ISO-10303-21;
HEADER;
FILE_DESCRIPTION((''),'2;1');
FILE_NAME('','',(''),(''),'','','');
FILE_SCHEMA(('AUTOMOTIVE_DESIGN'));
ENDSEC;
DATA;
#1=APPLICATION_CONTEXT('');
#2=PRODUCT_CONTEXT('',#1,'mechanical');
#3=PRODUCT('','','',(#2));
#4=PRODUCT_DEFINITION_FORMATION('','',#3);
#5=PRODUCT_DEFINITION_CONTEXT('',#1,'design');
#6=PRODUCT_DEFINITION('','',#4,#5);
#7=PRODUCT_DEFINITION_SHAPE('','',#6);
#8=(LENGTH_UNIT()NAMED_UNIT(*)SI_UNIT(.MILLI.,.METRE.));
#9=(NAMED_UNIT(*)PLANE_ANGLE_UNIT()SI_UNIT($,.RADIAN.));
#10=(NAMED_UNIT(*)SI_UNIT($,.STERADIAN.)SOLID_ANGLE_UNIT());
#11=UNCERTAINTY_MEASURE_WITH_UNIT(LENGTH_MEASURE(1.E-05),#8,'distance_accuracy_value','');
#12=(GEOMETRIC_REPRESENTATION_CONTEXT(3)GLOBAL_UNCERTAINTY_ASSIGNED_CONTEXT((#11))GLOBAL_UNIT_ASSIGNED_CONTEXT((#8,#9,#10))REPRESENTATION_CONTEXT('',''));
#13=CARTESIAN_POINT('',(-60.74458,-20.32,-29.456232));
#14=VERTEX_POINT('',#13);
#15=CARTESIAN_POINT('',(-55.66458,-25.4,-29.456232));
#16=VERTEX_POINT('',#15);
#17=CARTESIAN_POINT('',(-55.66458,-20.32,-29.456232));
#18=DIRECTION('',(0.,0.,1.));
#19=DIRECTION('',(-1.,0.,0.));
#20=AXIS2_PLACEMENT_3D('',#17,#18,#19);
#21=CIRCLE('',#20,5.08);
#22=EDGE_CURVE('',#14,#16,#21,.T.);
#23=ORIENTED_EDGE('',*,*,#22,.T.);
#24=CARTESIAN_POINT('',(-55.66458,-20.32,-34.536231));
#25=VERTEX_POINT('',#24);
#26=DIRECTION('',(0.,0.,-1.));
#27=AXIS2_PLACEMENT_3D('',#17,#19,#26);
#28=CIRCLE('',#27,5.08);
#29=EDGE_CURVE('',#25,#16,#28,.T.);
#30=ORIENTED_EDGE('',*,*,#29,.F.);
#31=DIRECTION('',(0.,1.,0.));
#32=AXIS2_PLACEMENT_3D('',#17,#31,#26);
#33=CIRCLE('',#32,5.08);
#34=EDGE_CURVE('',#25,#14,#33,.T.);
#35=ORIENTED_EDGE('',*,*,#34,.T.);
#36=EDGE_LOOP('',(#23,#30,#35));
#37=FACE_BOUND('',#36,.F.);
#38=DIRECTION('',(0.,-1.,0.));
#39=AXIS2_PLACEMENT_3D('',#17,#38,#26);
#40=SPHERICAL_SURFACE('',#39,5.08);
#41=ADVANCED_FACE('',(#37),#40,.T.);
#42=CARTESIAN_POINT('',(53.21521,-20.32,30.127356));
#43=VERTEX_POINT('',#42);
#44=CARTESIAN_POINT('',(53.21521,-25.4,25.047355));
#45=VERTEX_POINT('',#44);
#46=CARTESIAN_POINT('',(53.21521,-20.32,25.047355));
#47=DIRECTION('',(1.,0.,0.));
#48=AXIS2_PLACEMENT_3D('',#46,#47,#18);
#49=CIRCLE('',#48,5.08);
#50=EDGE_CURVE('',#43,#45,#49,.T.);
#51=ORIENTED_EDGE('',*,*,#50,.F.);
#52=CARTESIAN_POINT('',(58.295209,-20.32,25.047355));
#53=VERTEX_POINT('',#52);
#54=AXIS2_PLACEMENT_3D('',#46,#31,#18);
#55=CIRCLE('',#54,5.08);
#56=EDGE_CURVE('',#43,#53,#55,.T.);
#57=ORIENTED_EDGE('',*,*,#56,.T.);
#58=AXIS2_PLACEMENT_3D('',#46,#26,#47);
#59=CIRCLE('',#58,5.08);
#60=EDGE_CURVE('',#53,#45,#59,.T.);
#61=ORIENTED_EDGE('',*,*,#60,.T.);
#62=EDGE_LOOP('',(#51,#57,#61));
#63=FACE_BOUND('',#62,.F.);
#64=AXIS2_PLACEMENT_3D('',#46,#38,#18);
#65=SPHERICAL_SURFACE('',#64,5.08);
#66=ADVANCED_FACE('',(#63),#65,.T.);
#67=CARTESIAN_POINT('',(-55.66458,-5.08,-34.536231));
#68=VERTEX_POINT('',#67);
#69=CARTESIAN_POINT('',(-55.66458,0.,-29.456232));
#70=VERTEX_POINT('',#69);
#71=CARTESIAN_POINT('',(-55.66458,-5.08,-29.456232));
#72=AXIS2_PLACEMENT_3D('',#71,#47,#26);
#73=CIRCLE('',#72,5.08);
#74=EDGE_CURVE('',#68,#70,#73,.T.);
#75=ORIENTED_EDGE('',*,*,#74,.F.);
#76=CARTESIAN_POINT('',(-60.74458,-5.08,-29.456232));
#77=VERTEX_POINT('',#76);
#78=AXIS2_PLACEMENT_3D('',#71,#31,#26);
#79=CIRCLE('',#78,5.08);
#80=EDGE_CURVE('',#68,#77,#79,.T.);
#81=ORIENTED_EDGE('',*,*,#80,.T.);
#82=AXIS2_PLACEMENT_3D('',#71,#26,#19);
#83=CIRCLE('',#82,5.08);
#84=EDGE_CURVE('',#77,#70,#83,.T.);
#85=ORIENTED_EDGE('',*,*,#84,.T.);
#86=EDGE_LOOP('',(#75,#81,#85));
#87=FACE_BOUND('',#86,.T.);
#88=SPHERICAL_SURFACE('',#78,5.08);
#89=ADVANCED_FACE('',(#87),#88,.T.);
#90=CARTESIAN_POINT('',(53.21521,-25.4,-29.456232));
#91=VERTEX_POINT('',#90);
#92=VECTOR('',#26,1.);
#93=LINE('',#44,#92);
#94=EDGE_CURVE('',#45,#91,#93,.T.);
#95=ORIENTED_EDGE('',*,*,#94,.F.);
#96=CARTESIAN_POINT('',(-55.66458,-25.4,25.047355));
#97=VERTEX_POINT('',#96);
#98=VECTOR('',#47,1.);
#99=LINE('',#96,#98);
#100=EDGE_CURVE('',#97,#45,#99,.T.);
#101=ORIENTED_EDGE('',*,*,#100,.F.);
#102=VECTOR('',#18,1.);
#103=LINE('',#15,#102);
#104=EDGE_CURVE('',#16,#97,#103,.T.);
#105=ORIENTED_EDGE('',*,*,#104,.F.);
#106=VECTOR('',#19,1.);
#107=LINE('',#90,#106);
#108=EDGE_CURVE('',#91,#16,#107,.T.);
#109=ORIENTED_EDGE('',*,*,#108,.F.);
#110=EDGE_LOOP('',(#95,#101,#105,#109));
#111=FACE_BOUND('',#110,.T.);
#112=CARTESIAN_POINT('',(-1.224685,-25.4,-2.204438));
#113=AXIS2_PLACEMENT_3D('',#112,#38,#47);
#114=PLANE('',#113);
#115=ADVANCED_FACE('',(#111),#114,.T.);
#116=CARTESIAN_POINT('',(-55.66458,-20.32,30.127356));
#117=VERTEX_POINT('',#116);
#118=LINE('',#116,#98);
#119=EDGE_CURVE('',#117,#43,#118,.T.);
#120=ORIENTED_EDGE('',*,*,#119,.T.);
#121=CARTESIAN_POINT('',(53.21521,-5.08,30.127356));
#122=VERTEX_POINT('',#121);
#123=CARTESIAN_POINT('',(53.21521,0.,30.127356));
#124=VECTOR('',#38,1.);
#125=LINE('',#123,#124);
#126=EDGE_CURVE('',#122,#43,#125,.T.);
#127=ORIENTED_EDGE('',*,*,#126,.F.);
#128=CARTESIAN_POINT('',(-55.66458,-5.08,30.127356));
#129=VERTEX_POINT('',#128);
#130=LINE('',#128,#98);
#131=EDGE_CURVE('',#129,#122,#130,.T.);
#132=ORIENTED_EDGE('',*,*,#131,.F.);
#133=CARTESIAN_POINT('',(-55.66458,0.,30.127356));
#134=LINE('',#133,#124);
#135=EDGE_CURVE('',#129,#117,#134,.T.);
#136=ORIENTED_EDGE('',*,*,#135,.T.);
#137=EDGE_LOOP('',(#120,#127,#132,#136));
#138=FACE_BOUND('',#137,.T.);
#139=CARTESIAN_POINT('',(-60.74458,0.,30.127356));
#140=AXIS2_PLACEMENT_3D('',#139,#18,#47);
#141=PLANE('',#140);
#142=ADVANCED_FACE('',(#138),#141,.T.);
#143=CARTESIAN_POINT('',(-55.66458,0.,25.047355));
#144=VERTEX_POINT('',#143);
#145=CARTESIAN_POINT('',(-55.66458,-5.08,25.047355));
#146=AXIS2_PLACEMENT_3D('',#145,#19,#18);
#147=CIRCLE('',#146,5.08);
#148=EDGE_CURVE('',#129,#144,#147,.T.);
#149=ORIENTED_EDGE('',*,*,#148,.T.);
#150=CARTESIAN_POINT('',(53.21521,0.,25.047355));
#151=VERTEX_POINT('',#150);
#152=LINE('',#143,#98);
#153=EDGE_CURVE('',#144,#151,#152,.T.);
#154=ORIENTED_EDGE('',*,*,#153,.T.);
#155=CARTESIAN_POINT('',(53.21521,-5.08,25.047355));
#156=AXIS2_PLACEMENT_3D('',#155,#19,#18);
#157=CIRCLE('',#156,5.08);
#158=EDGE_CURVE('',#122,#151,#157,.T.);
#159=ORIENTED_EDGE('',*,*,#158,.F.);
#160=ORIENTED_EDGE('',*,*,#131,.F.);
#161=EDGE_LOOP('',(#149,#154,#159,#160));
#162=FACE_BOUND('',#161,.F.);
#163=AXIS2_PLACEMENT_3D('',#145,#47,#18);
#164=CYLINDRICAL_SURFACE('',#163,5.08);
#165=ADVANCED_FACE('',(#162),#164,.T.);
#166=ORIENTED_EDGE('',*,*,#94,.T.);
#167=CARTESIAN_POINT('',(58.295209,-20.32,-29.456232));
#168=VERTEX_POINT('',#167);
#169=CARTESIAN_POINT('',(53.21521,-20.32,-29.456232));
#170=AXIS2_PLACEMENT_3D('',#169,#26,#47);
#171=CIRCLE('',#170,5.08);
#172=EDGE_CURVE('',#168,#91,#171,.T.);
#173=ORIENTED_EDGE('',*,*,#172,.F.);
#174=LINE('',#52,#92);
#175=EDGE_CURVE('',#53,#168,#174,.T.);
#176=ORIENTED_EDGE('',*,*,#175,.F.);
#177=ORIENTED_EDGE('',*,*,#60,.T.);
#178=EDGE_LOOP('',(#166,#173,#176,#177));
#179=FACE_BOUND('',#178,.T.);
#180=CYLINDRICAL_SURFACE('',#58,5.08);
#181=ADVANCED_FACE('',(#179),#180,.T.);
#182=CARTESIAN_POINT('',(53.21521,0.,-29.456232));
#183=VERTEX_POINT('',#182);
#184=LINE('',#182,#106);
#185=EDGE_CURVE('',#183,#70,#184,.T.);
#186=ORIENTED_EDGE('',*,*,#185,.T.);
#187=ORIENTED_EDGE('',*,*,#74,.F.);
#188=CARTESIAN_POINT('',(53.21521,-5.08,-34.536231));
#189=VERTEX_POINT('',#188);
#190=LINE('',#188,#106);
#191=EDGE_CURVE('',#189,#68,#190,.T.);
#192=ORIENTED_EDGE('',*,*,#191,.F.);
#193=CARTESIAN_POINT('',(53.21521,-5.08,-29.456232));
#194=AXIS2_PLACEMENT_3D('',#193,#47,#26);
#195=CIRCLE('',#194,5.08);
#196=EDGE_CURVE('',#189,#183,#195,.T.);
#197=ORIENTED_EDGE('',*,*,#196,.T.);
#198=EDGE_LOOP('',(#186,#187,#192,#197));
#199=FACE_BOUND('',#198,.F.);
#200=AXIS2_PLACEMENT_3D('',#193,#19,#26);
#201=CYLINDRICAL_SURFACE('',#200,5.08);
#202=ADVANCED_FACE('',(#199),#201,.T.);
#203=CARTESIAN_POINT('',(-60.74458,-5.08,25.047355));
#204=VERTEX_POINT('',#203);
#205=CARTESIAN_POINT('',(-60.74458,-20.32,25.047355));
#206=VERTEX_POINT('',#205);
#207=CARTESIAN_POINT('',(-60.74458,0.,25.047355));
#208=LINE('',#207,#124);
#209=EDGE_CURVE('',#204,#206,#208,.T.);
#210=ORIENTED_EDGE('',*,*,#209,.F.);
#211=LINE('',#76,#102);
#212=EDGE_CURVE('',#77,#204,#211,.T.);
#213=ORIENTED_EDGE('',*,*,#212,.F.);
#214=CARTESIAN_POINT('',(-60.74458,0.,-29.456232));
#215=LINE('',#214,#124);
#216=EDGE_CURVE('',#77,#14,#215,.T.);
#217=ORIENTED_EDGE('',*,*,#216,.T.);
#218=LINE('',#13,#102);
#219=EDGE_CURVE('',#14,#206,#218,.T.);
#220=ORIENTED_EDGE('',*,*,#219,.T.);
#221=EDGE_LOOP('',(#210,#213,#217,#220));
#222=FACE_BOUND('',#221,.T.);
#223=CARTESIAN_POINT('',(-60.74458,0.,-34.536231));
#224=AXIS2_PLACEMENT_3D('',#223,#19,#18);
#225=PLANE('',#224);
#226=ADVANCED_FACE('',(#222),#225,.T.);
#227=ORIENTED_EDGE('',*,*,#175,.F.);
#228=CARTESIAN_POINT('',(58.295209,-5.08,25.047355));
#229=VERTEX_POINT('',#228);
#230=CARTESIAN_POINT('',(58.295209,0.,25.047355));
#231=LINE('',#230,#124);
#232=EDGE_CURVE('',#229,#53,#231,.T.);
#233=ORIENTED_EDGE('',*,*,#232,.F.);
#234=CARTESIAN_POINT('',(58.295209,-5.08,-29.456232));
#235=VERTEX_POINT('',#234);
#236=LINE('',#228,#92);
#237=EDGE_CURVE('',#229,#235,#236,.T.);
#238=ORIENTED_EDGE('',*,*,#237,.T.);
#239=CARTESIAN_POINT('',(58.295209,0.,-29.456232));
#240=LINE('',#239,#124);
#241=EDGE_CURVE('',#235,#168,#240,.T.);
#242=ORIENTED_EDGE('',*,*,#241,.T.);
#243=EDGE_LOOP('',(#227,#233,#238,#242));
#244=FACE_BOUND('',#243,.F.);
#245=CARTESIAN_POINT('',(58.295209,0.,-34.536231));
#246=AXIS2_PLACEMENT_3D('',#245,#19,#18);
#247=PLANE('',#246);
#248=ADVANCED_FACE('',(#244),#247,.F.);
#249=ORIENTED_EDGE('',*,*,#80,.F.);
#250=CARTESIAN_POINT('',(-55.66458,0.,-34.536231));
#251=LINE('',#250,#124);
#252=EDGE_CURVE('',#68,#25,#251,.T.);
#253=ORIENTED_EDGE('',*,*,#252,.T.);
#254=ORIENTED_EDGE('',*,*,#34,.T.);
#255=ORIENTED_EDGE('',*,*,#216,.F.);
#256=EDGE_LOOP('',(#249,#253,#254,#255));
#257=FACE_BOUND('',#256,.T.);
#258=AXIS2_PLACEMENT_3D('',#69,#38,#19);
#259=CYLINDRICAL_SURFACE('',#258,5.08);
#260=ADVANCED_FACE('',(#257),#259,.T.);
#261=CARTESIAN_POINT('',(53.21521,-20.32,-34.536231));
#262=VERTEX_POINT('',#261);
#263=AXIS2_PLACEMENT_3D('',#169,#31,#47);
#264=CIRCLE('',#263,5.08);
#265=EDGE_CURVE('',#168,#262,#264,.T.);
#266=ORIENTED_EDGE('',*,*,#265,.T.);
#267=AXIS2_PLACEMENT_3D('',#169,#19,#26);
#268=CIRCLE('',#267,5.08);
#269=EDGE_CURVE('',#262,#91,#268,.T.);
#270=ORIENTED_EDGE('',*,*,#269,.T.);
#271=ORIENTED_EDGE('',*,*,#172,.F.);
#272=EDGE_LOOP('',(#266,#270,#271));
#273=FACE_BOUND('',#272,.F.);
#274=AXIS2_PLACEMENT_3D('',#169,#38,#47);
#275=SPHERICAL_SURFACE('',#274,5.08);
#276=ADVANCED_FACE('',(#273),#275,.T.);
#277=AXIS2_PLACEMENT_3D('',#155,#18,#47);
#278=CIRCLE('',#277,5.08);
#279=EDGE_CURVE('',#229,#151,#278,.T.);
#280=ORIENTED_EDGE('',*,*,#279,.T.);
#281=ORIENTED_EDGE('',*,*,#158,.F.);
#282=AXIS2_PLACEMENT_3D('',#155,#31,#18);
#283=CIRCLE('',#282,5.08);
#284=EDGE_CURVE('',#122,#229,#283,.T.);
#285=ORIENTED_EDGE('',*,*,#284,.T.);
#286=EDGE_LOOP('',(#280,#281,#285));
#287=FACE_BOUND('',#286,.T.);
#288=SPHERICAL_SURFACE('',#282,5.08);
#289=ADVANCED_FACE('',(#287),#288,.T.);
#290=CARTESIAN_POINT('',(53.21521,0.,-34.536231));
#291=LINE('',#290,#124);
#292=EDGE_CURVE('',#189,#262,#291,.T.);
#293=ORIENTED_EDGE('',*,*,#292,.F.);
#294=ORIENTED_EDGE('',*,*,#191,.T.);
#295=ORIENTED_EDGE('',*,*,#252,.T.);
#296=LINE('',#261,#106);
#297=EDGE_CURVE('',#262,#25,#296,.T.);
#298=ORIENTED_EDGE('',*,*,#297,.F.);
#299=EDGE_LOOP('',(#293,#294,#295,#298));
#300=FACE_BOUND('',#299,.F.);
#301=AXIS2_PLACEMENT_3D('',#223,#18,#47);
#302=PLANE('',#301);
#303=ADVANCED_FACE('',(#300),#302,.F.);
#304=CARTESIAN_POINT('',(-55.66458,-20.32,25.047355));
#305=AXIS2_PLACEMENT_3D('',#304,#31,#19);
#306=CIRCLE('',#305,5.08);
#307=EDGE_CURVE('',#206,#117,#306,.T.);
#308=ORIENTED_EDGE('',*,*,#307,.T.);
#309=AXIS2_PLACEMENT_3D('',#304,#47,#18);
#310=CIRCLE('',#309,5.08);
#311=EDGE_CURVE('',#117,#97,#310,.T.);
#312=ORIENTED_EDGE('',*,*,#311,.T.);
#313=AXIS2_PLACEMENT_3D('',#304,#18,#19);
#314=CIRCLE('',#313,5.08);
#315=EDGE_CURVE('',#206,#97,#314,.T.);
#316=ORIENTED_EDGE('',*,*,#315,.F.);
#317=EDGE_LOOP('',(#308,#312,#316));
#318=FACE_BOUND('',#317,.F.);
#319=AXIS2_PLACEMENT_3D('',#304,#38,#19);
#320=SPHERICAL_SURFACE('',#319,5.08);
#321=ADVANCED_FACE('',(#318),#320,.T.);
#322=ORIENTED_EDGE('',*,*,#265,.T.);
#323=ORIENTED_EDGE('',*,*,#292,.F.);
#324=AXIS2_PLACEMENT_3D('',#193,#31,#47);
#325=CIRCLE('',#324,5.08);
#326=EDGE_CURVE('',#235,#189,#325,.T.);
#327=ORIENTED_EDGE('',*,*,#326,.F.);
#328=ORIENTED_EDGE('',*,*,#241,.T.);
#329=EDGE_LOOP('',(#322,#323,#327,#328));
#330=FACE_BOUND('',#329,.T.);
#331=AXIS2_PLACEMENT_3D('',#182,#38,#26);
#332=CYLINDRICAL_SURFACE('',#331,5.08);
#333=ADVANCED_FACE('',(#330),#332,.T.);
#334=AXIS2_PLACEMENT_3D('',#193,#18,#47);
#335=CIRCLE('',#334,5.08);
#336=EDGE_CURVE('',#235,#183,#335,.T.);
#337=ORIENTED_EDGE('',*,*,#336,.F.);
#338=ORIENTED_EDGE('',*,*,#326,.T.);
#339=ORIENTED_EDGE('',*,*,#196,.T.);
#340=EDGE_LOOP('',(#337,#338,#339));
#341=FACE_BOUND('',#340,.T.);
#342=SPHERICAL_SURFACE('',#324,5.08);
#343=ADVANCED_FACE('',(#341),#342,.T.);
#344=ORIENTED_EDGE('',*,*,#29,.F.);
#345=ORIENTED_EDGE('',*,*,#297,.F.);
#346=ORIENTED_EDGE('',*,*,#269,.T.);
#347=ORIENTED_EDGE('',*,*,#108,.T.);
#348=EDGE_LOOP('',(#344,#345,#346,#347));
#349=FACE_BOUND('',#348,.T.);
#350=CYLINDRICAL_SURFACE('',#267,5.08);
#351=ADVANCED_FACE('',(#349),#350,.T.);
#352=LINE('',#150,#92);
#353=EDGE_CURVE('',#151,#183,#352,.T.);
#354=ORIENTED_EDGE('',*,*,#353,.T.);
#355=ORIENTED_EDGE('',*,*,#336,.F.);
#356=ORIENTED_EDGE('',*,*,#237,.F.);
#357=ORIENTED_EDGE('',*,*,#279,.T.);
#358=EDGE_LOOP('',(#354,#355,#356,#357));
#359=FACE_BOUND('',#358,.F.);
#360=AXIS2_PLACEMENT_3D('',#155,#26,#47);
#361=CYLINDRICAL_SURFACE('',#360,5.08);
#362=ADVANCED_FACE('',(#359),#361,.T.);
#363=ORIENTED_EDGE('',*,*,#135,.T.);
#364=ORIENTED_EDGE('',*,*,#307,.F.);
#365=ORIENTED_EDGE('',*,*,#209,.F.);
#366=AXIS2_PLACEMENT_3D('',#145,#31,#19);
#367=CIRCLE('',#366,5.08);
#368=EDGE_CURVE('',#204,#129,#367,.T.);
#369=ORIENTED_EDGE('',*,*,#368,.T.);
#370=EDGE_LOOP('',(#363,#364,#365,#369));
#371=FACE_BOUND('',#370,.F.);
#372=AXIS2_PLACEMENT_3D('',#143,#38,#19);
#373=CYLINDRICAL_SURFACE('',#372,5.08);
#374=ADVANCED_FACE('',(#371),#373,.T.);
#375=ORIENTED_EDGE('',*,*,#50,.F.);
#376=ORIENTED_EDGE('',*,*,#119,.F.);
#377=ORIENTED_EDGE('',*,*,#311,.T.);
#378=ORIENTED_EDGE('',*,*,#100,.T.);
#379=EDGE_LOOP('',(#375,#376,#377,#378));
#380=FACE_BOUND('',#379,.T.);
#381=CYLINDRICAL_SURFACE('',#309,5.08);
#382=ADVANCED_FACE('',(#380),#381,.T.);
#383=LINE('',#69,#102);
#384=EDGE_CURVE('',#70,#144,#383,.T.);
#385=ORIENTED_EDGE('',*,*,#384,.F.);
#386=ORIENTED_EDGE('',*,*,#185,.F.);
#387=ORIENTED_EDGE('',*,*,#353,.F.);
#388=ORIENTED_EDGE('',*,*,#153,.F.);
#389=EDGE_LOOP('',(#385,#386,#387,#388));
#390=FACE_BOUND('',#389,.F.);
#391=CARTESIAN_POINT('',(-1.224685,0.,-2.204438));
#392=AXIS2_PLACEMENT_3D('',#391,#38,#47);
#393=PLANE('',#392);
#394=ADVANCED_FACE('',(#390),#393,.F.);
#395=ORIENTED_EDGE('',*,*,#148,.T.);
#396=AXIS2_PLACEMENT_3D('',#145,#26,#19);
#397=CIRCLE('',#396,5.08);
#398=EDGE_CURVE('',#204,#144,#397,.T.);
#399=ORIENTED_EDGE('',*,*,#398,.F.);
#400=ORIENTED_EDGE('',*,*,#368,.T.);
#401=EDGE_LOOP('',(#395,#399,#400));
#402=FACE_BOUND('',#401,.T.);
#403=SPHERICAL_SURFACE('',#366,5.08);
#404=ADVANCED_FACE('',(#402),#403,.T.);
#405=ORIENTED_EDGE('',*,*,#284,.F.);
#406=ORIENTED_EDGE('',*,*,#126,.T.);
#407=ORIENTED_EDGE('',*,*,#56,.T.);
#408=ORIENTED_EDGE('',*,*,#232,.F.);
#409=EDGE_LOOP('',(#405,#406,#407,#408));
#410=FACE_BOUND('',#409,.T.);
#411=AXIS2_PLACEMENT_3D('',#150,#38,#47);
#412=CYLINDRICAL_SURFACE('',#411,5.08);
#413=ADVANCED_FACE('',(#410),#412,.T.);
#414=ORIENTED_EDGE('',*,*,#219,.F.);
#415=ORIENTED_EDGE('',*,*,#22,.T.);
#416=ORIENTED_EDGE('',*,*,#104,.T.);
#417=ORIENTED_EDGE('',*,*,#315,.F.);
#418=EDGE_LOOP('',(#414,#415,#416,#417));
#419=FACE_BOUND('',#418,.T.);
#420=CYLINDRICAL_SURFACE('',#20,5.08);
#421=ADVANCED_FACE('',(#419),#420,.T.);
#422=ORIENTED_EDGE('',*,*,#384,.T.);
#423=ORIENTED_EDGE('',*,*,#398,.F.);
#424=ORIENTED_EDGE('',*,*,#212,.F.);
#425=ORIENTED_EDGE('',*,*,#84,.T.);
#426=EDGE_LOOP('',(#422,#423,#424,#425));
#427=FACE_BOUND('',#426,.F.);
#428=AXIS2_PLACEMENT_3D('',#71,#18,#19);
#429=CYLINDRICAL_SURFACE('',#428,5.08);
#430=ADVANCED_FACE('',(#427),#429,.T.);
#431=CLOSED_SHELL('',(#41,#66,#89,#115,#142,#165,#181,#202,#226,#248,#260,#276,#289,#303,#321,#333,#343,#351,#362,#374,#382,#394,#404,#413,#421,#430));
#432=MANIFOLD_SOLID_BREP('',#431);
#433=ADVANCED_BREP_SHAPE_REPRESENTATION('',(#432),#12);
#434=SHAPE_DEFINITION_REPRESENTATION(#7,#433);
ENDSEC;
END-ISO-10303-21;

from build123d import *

# Parameters (mm, degrees)
F0_W     = 119.039789
F0_H     = 64.663587
F1_DEPTH = 25.4
F2_R     = 5.08
F3_R     = 5.08


with BuildPart() as f1:
    # F0 (on Front) → F1 (new body)
    with BuildSketch(Plane.XZ):
        with Locations((-1.224685, -2.204438)):
            Rectangle(F0_W, F0_H)
    extrude(amount=F1_DEPTH)

    # F2
    f2_edges = [f1.edges().sort_by_distance(p)[0] for p in [
        (58.295209, -12.7, 30.127356),
        (58.295209, -12.7, -34.536231),
        (-60.74458, -12.7, 30.127356),
        (-60.74458, -12.7, -34.536231),
    ]]
    fillet(f2_edges, radius=F2_R)

    # F3
    f3_edges = [f1.edges().sort_by_distance(p)[0] for p in [
        (-60.74458, -25.4, -2.204438),
        (-60.74458, 0, -2.204438),
    ]]
    fillet(f3_edges, radius=F3_R)


solid = f1.part
